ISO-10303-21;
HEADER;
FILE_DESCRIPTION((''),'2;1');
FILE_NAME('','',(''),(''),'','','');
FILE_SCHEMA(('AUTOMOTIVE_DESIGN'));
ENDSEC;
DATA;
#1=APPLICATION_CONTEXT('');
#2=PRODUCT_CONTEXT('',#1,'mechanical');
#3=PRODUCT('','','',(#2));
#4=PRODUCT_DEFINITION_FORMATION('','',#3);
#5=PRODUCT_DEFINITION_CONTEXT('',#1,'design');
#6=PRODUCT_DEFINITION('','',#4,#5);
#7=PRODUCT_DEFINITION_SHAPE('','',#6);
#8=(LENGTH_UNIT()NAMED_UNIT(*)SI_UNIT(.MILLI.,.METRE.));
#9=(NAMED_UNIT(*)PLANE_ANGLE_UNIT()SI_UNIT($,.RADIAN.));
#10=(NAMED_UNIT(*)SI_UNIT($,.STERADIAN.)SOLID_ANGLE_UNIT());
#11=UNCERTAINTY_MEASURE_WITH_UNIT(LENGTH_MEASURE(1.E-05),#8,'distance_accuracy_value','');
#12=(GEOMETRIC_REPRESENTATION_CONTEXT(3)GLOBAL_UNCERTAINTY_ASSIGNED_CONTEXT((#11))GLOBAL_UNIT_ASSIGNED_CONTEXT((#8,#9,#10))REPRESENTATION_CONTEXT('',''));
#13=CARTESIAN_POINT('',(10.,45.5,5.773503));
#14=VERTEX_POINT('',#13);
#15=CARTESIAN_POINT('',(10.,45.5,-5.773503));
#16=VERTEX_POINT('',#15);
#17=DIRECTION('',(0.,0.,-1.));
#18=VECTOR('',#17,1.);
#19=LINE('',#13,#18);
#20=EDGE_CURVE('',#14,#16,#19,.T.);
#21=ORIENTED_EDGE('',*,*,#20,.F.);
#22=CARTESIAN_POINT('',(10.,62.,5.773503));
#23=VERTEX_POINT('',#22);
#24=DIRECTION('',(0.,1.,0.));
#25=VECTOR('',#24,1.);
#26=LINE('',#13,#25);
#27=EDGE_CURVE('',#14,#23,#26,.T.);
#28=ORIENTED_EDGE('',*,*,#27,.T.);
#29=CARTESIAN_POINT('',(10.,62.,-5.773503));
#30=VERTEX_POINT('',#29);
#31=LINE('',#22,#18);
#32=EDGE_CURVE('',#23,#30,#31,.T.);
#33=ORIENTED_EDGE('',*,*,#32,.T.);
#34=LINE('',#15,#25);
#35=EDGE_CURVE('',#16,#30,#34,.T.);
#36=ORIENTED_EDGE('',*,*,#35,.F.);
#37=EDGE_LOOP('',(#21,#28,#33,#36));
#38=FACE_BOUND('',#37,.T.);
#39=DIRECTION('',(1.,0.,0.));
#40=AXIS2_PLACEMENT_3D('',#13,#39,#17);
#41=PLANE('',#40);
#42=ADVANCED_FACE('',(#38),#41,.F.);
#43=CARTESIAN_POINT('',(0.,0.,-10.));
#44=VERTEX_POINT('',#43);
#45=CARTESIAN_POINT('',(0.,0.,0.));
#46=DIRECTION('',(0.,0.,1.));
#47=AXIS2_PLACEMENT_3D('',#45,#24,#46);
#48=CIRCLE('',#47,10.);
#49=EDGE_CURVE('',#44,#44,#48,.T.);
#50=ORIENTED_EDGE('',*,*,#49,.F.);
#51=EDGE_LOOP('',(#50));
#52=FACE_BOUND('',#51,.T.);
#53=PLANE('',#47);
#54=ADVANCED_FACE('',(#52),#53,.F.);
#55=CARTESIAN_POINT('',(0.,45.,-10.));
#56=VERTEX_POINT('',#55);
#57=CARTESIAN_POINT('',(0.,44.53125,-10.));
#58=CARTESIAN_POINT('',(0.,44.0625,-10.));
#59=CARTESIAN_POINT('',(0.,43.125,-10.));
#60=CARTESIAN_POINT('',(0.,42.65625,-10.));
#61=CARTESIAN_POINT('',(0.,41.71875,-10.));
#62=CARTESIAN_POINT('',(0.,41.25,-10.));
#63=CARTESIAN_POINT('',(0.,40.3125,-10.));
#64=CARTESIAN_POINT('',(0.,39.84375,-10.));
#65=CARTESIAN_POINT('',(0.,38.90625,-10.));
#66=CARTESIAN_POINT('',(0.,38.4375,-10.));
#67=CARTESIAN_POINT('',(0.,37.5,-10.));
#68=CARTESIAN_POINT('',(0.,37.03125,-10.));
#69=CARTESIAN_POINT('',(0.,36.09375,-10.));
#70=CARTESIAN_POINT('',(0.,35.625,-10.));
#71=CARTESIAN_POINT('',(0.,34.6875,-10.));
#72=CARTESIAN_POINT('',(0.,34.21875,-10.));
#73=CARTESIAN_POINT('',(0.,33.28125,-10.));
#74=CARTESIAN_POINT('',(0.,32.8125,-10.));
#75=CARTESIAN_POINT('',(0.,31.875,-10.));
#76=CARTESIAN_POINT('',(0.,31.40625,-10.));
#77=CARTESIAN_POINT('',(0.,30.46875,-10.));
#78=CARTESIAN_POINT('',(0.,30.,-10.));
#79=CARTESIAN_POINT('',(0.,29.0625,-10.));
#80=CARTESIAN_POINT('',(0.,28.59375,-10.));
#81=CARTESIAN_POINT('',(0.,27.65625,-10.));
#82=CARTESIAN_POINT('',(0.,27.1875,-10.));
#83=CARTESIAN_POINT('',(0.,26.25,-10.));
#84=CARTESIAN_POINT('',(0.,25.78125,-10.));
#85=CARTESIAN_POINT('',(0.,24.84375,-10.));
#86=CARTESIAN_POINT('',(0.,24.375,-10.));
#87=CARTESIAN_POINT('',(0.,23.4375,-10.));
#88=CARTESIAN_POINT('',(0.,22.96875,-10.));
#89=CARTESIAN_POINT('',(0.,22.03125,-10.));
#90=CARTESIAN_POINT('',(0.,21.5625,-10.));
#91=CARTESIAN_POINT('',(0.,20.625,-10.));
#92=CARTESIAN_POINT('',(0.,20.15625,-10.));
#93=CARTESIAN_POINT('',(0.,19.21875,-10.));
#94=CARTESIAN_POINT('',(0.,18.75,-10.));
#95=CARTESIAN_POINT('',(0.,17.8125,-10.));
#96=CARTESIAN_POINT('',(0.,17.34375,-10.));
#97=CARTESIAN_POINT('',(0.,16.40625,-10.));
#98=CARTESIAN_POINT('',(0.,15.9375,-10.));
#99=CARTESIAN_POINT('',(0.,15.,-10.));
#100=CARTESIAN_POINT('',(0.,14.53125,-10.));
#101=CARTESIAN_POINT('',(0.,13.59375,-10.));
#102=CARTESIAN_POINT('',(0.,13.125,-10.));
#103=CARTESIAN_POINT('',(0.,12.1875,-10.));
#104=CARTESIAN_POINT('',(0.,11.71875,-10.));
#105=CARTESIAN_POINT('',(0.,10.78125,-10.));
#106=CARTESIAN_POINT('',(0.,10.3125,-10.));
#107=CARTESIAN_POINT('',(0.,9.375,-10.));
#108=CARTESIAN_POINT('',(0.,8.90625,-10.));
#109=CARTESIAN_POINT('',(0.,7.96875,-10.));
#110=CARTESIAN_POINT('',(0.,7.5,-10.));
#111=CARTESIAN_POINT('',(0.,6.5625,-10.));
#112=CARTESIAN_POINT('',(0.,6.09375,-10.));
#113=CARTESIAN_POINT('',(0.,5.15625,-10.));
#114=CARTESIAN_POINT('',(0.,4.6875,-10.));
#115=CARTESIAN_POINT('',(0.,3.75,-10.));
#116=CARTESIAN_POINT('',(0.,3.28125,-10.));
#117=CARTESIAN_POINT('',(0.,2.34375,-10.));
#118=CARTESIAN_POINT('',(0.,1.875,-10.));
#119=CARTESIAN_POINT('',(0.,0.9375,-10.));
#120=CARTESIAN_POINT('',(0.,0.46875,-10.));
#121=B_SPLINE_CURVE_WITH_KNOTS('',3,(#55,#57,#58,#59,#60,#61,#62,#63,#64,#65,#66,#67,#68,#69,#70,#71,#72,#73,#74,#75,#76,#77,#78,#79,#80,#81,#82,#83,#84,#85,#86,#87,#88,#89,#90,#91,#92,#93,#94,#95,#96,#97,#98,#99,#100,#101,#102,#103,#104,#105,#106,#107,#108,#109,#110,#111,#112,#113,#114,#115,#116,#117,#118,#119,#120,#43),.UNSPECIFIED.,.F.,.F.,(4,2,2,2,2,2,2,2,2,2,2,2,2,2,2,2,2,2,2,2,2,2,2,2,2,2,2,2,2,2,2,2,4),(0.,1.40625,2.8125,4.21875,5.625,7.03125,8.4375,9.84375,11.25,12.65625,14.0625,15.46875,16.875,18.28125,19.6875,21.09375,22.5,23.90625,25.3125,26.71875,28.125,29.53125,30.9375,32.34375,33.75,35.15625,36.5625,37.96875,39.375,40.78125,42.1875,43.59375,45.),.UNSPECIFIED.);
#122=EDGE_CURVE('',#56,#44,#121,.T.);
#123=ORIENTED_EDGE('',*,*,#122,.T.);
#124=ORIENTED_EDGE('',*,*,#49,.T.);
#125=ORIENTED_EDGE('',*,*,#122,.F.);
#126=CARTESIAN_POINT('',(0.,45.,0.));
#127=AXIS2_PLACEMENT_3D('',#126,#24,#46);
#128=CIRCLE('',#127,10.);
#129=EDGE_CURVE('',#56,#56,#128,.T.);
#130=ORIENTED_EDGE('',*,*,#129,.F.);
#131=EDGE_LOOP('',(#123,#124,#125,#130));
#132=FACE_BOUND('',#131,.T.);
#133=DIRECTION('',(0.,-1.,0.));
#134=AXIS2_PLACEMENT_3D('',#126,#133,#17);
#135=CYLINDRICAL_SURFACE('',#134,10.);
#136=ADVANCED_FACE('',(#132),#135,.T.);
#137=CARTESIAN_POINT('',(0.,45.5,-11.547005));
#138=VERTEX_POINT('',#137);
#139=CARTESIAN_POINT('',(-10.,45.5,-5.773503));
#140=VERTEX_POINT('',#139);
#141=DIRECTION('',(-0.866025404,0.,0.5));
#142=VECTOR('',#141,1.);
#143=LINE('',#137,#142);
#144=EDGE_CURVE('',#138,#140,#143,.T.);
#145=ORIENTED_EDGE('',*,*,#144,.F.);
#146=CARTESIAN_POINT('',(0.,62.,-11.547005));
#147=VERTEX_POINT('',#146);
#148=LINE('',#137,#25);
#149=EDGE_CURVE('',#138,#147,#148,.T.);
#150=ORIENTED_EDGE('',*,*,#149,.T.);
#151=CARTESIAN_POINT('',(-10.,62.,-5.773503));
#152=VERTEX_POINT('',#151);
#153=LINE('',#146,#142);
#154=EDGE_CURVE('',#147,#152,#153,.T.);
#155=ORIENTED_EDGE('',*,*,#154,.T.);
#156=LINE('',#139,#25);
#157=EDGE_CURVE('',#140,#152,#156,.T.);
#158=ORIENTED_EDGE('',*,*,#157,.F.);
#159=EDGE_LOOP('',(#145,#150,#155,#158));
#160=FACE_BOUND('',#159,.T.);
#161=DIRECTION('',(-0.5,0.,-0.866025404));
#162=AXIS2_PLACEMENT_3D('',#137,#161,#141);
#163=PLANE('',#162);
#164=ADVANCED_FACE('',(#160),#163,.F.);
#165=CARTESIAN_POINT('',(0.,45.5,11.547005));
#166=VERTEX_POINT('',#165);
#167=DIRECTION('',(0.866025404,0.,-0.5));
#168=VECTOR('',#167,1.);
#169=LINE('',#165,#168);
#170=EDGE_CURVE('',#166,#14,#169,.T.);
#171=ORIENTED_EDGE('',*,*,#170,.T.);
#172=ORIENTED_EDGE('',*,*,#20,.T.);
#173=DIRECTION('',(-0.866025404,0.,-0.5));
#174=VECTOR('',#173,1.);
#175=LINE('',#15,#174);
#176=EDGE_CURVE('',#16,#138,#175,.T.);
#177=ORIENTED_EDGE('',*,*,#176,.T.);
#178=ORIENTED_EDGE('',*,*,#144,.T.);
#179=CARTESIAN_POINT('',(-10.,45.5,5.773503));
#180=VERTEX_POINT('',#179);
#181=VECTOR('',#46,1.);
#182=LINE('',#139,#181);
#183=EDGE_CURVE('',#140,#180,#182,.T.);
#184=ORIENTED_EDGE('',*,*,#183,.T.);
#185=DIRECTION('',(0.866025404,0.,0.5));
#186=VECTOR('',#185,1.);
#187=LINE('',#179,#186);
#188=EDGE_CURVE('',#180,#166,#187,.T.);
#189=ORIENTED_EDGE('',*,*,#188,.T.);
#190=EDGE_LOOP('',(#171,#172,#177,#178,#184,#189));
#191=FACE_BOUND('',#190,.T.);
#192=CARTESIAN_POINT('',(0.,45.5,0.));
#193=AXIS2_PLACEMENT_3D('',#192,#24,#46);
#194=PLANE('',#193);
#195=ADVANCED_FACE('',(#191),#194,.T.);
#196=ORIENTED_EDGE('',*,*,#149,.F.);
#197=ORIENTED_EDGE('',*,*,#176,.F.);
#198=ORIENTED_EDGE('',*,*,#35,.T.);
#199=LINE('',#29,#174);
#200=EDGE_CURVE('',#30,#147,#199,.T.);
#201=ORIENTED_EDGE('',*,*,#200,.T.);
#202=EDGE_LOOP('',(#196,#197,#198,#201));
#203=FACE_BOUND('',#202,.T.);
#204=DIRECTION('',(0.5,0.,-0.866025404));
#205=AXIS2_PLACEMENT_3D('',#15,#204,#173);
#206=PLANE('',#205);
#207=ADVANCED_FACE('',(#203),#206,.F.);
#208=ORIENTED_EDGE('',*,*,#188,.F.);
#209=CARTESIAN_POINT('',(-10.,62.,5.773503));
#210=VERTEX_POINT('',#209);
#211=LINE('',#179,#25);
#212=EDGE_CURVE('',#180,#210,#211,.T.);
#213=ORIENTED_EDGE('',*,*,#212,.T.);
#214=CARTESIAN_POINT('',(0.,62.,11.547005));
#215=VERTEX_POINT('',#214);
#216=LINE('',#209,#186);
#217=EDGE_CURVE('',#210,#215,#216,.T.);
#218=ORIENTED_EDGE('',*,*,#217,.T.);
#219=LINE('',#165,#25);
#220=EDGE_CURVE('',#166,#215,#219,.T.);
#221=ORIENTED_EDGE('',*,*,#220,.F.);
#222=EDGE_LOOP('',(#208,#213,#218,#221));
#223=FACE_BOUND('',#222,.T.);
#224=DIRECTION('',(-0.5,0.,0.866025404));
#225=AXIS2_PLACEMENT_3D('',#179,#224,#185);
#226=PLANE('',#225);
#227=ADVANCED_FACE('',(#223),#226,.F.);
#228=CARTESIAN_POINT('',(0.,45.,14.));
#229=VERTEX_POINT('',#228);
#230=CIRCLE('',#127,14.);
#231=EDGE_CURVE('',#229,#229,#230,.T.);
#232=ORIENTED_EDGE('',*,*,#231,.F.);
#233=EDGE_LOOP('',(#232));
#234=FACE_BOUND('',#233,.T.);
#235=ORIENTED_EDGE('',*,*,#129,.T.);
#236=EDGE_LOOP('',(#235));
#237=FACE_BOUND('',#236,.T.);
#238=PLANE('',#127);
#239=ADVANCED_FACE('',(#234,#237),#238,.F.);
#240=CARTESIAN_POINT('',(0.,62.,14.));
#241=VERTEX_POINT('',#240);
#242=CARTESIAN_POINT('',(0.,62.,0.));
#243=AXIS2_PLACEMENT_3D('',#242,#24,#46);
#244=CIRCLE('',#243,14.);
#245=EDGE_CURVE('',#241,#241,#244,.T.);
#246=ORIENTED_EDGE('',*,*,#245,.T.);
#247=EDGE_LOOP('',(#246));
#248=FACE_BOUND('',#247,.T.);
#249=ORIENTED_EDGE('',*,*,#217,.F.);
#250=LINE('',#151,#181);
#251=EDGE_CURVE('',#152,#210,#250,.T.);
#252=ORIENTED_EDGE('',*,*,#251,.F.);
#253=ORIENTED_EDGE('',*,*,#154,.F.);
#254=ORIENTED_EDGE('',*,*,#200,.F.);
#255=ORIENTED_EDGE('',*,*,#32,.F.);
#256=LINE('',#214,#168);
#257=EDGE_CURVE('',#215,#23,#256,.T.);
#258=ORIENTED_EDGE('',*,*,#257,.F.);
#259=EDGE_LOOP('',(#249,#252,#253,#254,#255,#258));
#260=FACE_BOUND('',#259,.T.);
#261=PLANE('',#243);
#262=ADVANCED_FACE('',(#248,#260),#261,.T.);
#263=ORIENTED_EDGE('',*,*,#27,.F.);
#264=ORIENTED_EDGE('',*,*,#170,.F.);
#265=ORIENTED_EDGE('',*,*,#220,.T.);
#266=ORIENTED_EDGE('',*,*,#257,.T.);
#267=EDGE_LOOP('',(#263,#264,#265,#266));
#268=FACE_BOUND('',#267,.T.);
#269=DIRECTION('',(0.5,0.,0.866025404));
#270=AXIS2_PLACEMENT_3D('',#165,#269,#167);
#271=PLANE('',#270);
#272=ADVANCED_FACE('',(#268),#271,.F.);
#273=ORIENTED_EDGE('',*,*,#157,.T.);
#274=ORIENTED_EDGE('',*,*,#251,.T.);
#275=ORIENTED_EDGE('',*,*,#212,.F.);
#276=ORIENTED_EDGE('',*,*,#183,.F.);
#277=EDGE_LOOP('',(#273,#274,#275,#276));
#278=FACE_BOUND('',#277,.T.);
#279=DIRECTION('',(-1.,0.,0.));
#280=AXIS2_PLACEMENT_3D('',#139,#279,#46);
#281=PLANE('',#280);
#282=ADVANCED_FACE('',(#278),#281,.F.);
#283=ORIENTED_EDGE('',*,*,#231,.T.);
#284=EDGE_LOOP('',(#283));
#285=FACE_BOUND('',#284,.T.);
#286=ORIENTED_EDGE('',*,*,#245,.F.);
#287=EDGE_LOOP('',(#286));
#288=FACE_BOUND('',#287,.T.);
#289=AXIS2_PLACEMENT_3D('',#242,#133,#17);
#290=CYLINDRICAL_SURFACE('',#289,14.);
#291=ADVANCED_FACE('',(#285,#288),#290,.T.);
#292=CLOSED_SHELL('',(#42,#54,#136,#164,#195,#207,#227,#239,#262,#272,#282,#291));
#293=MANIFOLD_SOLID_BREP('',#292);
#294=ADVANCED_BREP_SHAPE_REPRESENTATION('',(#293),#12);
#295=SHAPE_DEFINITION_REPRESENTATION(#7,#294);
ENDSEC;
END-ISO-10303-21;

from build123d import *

# Parameters (mm, degrees)
SKETCH1_R           = 10
BOSS_EXTRUDE1_DEPTH = 45
SKETCH2_R           = 14
BOSS_EXTRUDE2_DEPTH = 17
CUT_EXTRUDE1_DEPTH  = 16.5


with BuildPart() as part:
    # Sketch1 → Boss-Extrude1 (new body)
    with BuildSketch(Plane(origin=(0, 0, 0), x_dir=(1, 0, 0), z_dir=(0, 1, 0))):
        with Locations(Location((0, 0, 0), (0, 0, 90))):
            Circle(SKETCH1_R)
    extrude(amount=BOSS_EXTRUDE1_DEPTH)

    # Sketch2 → Boss-Extrude2 (add)
    with BuildSketch(Plane(origin=(0, 45, 0), x_dir=(1, 0, 0), z_dir=(0, 1, 0))):
        with Locations(Location((0, 0, 0), (0, 0, 270))):
            Circle(SKETCH2_R)
    extrude(amount=BOSS_EXTRUDE2_DEPTH)

    # Sketch3 → Cut-Extrude1 (cut)
    with BuildSketch(Plane(origin=(0, 62, 0), x_dir=(1, 0, 0), z_dir=(0, 1, 0))):
        Polygon((0, 11.547005384), (-10, 5.773502692), (-10, -5.773502692), (0, -11.547005384), (10, -5.773502692), (10, 5.773502692), align=None)
    extrude(amount=-CUT_EXTRUDE1_DEPTH, mode=Mode.SUBTRACT)


solid = part.part
